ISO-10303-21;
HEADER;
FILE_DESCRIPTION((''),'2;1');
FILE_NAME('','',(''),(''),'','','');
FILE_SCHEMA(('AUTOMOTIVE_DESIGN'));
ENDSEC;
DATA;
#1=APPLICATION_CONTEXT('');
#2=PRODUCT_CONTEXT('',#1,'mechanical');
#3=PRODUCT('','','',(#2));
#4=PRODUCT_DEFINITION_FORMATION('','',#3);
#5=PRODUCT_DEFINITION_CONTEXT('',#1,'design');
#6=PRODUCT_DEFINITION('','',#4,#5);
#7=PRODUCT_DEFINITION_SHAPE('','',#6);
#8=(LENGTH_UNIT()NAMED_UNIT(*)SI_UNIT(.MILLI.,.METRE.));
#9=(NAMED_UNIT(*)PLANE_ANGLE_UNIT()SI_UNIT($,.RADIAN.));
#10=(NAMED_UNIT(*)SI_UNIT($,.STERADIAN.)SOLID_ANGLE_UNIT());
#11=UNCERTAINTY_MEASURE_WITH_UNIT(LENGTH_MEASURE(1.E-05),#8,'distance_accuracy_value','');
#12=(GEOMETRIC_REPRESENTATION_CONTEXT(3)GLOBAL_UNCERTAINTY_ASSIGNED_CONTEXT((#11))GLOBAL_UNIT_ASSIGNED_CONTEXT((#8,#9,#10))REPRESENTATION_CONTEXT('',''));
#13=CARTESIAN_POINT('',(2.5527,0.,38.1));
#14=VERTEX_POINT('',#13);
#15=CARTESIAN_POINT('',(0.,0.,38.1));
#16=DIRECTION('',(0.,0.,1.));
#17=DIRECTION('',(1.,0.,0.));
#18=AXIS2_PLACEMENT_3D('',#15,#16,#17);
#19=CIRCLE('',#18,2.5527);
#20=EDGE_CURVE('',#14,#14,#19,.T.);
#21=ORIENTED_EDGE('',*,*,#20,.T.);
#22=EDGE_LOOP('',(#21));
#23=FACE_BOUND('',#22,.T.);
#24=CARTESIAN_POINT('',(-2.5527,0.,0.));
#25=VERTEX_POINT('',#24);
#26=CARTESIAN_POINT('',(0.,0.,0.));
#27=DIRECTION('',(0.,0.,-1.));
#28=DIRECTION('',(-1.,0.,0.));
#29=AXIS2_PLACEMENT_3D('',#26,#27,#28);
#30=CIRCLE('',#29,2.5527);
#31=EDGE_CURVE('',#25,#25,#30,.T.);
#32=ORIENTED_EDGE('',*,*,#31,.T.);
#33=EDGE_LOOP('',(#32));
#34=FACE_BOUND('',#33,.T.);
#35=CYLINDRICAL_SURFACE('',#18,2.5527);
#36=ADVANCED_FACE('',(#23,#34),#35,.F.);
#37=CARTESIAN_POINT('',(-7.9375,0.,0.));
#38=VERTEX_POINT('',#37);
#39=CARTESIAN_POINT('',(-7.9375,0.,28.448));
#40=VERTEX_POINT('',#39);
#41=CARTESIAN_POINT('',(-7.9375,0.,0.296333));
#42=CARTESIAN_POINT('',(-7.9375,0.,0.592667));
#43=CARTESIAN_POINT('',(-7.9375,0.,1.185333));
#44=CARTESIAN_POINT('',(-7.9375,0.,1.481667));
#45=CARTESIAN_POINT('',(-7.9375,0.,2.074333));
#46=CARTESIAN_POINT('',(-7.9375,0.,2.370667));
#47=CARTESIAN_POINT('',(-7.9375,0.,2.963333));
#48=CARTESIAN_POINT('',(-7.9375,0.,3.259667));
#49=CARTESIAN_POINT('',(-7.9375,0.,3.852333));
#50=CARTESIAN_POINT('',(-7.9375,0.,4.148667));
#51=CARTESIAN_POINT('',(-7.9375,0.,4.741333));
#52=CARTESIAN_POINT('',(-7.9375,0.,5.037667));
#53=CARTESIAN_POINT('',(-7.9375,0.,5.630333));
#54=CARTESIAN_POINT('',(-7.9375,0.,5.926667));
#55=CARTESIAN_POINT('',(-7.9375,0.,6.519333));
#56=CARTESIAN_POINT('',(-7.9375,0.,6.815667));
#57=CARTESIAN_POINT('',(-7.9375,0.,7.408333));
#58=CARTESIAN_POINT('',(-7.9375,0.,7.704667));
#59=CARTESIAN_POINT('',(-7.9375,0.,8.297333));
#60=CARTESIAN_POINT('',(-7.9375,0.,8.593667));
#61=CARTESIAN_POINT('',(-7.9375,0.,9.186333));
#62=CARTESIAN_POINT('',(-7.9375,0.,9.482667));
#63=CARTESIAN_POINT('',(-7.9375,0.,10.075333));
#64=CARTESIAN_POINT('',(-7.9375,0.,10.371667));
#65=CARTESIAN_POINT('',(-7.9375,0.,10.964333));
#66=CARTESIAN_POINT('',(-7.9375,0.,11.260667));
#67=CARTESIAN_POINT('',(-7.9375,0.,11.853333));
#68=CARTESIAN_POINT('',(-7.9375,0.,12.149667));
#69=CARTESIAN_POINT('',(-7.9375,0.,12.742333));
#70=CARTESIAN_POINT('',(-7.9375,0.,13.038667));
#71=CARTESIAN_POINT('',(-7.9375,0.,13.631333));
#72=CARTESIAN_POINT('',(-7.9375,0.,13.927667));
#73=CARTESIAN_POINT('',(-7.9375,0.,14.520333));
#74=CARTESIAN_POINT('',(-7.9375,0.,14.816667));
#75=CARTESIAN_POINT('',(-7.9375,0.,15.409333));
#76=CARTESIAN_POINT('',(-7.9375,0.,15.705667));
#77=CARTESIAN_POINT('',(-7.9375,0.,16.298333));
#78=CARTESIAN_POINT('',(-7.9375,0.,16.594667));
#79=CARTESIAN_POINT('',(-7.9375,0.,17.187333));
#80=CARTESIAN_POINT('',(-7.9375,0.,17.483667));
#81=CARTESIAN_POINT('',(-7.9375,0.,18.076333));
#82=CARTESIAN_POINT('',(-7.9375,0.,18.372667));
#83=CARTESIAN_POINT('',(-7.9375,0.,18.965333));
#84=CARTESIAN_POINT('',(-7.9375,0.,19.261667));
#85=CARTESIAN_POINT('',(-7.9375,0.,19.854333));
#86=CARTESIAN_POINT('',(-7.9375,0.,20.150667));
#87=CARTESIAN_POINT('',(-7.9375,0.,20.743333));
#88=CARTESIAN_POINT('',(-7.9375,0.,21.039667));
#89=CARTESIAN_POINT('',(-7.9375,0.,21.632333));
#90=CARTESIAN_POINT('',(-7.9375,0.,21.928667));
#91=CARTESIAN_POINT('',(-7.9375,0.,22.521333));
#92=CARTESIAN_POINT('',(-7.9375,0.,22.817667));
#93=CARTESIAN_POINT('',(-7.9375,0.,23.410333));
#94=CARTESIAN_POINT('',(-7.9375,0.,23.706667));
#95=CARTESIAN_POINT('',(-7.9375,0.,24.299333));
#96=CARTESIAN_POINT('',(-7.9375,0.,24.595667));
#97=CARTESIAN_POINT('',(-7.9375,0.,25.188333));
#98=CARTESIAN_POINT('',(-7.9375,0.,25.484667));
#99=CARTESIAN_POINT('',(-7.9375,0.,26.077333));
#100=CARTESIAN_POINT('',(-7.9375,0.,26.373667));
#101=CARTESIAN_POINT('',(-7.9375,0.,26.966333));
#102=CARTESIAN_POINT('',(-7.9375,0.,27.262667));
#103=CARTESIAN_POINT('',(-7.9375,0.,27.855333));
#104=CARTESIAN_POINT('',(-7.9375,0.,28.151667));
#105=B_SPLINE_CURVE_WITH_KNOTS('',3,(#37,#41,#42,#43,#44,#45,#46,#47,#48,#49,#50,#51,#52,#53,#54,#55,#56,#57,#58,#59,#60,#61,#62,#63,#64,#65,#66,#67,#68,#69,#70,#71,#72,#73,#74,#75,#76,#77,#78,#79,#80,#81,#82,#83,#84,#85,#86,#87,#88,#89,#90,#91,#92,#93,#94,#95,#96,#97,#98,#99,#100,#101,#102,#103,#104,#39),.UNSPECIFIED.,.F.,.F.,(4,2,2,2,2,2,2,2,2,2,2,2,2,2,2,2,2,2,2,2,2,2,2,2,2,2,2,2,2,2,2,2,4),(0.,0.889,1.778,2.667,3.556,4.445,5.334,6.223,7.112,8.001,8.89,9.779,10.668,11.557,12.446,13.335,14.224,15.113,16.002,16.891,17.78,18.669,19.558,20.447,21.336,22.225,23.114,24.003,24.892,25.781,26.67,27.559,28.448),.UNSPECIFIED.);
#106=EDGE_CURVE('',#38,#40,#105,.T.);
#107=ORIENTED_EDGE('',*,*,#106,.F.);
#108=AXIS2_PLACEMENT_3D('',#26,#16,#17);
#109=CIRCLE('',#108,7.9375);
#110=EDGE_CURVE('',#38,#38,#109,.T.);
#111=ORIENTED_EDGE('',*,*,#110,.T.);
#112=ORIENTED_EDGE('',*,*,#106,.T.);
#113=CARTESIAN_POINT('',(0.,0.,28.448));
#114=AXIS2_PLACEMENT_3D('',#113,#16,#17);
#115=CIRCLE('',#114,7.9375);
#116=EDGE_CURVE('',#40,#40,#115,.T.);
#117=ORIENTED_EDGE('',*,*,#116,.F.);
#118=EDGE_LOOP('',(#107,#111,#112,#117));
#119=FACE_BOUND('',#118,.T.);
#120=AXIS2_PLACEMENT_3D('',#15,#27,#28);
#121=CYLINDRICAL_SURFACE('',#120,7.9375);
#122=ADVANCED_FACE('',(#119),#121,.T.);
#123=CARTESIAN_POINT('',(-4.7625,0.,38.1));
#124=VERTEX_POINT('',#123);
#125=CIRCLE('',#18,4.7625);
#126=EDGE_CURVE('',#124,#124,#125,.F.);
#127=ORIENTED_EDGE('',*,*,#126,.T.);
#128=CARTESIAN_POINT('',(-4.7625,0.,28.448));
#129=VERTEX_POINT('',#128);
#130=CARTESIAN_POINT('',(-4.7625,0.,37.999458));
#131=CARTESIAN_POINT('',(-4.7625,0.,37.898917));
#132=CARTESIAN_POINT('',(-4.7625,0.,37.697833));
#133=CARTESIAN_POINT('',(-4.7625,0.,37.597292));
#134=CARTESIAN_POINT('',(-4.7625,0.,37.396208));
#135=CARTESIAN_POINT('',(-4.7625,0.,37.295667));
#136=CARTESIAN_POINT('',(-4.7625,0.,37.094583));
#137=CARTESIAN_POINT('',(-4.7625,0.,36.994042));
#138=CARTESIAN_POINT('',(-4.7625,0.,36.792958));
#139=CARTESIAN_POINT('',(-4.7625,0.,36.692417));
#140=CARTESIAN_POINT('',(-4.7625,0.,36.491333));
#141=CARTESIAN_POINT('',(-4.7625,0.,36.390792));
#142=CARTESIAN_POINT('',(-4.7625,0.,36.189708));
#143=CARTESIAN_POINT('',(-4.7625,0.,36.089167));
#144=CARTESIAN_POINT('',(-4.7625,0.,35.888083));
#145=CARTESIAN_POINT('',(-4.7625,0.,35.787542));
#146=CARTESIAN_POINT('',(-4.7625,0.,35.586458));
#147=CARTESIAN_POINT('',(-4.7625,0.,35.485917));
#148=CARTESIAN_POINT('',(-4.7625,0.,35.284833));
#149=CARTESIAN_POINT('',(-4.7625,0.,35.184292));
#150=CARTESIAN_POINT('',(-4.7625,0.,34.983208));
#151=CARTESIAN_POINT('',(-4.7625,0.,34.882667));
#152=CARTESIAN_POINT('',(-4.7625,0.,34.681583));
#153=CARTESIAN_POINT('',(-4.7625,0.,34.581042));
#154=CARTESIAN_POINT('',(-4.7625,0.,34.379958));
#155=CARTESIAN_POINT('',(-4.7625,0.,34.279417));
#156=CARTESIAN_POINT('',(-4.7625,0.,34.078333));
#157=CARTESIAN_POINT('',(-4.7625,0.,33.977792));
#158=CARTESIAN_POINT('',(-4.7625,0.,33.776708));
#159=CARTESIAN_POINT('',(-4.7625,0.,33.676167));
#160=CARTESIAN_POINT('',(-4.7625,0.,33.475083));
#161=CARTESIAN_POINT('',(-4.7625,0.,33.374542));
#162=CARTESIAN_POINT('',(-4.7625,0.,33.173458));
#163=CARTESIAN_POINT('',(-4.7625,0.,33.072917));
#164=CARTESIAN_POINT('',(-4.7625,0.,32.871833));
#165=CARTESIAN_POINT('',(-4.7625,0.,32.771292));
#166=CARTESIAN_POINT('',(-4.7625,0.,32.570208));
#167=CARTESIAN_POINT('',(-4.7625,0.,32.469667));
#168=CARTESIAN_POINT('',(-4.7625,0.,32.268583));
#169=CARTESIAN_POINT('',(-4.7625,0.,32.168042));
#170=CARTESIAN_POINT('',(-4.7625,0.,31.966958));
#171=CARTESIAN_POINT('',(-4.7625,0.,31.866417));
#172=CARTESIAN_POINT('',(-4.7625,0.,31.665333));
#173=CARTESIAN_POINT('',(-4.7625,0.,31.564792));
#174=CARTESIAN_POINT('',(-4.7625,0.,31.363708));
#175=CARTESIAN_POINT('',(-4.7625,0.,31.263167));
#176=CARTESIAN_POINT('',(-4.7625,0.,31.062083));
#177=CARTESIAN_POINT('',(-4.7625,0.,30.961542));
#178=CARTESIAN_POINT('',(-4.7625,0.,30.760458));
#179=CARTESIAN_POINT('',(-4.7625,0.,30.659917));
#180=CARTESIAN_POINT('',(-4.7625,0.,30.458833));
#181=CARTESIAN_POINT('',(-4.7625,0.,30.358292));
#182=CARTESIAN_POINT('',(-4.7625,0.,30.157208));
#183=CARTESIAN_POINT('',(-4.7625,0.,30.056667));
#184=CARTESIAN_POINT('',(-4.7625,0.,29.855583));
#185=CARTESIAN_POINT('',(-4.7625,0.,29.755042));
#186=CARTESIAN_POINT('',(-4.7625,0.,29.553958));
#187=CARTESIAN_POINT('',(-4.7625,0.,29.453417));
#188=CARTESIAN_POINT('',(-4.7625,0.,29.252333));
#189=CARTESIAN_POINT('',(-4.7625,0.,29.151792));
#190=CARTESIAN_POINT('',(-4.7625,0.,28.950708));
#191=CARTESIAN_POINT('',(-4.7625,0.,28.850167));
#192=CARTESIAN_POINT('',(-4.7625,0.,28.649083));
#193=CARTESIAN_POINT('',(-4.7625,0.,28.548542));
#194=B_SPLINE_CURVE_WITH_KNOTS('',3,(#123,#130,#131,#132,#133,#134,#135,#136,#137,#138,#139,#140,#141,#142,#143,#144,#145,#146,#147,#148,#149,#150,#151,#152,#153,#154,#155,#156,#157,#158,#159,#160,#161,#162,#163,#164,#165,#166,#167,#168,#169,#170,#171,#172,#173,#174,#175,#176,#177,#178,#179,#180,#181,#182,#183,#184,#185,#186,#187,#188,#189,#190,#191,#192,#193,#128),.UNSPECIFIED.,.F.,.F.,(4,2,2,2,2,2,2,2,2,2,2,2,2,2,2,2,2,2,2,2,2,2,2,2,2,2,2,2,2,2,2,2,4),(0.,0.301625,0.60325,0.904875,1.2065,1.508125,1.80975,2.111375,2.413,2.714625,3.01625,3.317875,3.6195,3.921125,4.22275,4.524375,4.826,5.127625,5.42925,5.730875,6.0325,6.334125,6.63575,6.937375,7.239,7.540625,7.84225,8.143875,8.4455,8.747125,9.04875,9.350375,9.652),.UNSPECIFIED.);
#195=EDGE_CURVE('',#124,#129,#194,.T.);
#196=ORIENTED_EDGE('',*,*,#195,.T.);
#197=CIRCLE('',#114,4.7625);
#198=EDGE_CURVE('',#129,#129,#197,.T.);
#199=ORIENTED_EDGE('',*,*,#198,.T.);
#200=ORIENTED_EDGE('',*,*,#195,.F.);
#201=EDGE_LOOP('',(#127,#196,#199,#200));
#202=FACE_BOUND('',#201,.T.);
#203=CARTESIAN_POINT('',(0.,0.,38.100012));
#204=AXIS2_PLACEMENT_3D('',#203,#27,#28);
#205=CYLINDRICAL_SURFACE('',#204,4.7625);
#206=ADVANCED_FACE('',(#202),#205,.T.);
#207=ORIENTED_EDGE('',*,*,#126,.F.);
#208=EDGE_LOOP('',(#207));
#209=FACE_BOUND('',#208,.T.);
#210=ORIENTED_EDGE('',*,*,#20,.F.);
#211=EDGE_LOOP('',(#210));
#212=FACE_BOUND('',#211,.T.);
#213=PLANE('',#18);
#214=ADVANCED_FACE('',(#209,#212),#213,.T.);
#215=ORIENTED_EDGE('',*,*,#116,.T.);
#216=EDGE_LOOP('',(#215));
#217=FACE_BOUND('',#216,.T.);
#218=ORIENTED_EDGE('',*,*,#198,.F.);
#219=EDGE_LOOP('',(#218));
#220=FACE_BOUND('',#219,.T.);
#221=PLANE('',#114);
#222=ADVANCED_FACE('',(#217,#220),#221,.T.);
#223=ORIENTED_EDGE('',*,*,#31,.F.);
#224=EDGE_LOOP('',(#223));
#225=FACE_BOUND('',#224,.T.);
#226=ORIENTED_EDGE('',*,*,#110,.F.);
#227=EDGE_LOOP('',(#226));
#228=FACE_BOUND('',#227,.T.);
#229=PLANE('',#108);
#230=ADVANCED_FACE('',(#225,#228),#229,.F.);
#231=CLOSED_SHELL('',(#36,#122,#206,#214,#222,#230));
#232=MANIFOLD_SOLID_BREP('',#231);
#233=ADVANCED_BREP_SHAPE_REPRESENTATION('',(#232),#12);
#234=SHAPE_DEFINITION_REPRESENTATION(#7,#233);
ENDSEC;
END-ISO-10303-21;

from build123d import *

# Parameters (mm, degrees)
SKETCH2_R                   = 7.9375
CYLINDER_BASE_DEPTH         = 38.1
TRIM_1_DEPTH                = 40.71923731
TRIM_1_DEPTH_BACK           = 9.652
SKETCH3_OUTSIDE_W           = 26.72
SKETCH3_OUTSIDE_H           = 26.72
SKETCH3_OUTSIDE_R           = 4.7625
F_1_4_20_TAPPED_HOLE1_D     = 5.1054
F_1_4_20_TAPPED_HOLE1_DEPTH = 17.516183098
F_1_4_20_TAPPED_HOLE1_TIP   = 1.533816902
F_1_4_20_TAPPED_HOLE9_D     = 5.1054
F_1_4_20_TAPPED_HOLE9_DEPTH = 12.436183098
F_1_4_20_TAPPED_HOLE9_TIP   = 1.533816902
SKETCH20_R                  = 2.5527
CUT_EXTRUDE2_DEPTH          = 40.71923731


with BuildPart() as part:
    # Sketch2 → Cylinder Base (new body)
    with BuildSketch(Plane.XY):
        with Locations(Location((0, 0, 0), (0, 0, 180))):
            Circle(SKETCH2_R)
    extrude(amount=CYLINDER_BASE_DEPTH)

    # Sketch3 outside → Trim 1 (cut, two sides: drawn at the far end of the back side and taken through both)
    with BuildSketch(Plane.XY.offset(38.1).offset(-TRIM_1_DEPTH_BACK)):
        Rectangle(SKETCH3_OUTSIDE_W, SKETCH3_OUTSIDE_H)
        with Locations(Location((0, 0, 0), (0, 0, 180))):
            Circle(SKETCH3_OUTSIDE_R, mode=Mode.SUBTRACT)
    extrude(amount=TRIM_1_DEPTH + TRIM_1_DEPTH_BACK, mode=Mode.SUBTRACT)

    # 1/4-20 Tapped Hole1
    with Locations(Plane.XY.offset(38.1)):
        with Locations((0, 0)):
            Hole(F_1_4_20_TAPPED_HOLE1_D / 2, depth=F_1_4_20_TAPPED_HOLE1_DEPTH)
            with Locations((0, 0, -(F_1_4_20_TAPPED_HOLE1_DEPTH + F_1_4_20_TAPPED_HOLE1_TIP / 2))):  # 118° drill point
                Cone(0, F_1_4_20_TAPPED_HOLE1_D / 2, F_1_4_20_TAPPED_HOLE1_TIP, mode=Mode.SUBTRACT)

    # 1/4-20 Tapped Hole9
    with Locations(Plane(origin=(0, 0, 0), x_dir=(-1, 0, 0), z_dir=(0, 0, -1))):
        with Locations((0, 0)):
            Hole(F_1_4_20_TAPPED_HOLE9_D / 2, depth=F_1_4_20_TAPPED_HOLE9_DEPTH)
            with Locations((0, 0, -(F_1_4_20_TAPPED_HOLE9_DEPTH + F_1_4_20_TAPPED_HOLE9_TIP / 2))):  # 118° drill point
                Cone(0, F_1_4_20_TAPPED_HOLE9_D / 2, F_1_4_20_TAPPED_HOLE9_TIP, mode=Mode.SUBTRACT)

    # Sketch20 → Cut-Extrude2 (cut, through all)
    with BuildSketch(Plane.XY.offset(38.1)):
        Circle(SKETCH20_R)
    extrude(amount=-CUT_EXTRUDE2_DEPTH, mode=Mode.SUBTRACT)


solid = part.part
